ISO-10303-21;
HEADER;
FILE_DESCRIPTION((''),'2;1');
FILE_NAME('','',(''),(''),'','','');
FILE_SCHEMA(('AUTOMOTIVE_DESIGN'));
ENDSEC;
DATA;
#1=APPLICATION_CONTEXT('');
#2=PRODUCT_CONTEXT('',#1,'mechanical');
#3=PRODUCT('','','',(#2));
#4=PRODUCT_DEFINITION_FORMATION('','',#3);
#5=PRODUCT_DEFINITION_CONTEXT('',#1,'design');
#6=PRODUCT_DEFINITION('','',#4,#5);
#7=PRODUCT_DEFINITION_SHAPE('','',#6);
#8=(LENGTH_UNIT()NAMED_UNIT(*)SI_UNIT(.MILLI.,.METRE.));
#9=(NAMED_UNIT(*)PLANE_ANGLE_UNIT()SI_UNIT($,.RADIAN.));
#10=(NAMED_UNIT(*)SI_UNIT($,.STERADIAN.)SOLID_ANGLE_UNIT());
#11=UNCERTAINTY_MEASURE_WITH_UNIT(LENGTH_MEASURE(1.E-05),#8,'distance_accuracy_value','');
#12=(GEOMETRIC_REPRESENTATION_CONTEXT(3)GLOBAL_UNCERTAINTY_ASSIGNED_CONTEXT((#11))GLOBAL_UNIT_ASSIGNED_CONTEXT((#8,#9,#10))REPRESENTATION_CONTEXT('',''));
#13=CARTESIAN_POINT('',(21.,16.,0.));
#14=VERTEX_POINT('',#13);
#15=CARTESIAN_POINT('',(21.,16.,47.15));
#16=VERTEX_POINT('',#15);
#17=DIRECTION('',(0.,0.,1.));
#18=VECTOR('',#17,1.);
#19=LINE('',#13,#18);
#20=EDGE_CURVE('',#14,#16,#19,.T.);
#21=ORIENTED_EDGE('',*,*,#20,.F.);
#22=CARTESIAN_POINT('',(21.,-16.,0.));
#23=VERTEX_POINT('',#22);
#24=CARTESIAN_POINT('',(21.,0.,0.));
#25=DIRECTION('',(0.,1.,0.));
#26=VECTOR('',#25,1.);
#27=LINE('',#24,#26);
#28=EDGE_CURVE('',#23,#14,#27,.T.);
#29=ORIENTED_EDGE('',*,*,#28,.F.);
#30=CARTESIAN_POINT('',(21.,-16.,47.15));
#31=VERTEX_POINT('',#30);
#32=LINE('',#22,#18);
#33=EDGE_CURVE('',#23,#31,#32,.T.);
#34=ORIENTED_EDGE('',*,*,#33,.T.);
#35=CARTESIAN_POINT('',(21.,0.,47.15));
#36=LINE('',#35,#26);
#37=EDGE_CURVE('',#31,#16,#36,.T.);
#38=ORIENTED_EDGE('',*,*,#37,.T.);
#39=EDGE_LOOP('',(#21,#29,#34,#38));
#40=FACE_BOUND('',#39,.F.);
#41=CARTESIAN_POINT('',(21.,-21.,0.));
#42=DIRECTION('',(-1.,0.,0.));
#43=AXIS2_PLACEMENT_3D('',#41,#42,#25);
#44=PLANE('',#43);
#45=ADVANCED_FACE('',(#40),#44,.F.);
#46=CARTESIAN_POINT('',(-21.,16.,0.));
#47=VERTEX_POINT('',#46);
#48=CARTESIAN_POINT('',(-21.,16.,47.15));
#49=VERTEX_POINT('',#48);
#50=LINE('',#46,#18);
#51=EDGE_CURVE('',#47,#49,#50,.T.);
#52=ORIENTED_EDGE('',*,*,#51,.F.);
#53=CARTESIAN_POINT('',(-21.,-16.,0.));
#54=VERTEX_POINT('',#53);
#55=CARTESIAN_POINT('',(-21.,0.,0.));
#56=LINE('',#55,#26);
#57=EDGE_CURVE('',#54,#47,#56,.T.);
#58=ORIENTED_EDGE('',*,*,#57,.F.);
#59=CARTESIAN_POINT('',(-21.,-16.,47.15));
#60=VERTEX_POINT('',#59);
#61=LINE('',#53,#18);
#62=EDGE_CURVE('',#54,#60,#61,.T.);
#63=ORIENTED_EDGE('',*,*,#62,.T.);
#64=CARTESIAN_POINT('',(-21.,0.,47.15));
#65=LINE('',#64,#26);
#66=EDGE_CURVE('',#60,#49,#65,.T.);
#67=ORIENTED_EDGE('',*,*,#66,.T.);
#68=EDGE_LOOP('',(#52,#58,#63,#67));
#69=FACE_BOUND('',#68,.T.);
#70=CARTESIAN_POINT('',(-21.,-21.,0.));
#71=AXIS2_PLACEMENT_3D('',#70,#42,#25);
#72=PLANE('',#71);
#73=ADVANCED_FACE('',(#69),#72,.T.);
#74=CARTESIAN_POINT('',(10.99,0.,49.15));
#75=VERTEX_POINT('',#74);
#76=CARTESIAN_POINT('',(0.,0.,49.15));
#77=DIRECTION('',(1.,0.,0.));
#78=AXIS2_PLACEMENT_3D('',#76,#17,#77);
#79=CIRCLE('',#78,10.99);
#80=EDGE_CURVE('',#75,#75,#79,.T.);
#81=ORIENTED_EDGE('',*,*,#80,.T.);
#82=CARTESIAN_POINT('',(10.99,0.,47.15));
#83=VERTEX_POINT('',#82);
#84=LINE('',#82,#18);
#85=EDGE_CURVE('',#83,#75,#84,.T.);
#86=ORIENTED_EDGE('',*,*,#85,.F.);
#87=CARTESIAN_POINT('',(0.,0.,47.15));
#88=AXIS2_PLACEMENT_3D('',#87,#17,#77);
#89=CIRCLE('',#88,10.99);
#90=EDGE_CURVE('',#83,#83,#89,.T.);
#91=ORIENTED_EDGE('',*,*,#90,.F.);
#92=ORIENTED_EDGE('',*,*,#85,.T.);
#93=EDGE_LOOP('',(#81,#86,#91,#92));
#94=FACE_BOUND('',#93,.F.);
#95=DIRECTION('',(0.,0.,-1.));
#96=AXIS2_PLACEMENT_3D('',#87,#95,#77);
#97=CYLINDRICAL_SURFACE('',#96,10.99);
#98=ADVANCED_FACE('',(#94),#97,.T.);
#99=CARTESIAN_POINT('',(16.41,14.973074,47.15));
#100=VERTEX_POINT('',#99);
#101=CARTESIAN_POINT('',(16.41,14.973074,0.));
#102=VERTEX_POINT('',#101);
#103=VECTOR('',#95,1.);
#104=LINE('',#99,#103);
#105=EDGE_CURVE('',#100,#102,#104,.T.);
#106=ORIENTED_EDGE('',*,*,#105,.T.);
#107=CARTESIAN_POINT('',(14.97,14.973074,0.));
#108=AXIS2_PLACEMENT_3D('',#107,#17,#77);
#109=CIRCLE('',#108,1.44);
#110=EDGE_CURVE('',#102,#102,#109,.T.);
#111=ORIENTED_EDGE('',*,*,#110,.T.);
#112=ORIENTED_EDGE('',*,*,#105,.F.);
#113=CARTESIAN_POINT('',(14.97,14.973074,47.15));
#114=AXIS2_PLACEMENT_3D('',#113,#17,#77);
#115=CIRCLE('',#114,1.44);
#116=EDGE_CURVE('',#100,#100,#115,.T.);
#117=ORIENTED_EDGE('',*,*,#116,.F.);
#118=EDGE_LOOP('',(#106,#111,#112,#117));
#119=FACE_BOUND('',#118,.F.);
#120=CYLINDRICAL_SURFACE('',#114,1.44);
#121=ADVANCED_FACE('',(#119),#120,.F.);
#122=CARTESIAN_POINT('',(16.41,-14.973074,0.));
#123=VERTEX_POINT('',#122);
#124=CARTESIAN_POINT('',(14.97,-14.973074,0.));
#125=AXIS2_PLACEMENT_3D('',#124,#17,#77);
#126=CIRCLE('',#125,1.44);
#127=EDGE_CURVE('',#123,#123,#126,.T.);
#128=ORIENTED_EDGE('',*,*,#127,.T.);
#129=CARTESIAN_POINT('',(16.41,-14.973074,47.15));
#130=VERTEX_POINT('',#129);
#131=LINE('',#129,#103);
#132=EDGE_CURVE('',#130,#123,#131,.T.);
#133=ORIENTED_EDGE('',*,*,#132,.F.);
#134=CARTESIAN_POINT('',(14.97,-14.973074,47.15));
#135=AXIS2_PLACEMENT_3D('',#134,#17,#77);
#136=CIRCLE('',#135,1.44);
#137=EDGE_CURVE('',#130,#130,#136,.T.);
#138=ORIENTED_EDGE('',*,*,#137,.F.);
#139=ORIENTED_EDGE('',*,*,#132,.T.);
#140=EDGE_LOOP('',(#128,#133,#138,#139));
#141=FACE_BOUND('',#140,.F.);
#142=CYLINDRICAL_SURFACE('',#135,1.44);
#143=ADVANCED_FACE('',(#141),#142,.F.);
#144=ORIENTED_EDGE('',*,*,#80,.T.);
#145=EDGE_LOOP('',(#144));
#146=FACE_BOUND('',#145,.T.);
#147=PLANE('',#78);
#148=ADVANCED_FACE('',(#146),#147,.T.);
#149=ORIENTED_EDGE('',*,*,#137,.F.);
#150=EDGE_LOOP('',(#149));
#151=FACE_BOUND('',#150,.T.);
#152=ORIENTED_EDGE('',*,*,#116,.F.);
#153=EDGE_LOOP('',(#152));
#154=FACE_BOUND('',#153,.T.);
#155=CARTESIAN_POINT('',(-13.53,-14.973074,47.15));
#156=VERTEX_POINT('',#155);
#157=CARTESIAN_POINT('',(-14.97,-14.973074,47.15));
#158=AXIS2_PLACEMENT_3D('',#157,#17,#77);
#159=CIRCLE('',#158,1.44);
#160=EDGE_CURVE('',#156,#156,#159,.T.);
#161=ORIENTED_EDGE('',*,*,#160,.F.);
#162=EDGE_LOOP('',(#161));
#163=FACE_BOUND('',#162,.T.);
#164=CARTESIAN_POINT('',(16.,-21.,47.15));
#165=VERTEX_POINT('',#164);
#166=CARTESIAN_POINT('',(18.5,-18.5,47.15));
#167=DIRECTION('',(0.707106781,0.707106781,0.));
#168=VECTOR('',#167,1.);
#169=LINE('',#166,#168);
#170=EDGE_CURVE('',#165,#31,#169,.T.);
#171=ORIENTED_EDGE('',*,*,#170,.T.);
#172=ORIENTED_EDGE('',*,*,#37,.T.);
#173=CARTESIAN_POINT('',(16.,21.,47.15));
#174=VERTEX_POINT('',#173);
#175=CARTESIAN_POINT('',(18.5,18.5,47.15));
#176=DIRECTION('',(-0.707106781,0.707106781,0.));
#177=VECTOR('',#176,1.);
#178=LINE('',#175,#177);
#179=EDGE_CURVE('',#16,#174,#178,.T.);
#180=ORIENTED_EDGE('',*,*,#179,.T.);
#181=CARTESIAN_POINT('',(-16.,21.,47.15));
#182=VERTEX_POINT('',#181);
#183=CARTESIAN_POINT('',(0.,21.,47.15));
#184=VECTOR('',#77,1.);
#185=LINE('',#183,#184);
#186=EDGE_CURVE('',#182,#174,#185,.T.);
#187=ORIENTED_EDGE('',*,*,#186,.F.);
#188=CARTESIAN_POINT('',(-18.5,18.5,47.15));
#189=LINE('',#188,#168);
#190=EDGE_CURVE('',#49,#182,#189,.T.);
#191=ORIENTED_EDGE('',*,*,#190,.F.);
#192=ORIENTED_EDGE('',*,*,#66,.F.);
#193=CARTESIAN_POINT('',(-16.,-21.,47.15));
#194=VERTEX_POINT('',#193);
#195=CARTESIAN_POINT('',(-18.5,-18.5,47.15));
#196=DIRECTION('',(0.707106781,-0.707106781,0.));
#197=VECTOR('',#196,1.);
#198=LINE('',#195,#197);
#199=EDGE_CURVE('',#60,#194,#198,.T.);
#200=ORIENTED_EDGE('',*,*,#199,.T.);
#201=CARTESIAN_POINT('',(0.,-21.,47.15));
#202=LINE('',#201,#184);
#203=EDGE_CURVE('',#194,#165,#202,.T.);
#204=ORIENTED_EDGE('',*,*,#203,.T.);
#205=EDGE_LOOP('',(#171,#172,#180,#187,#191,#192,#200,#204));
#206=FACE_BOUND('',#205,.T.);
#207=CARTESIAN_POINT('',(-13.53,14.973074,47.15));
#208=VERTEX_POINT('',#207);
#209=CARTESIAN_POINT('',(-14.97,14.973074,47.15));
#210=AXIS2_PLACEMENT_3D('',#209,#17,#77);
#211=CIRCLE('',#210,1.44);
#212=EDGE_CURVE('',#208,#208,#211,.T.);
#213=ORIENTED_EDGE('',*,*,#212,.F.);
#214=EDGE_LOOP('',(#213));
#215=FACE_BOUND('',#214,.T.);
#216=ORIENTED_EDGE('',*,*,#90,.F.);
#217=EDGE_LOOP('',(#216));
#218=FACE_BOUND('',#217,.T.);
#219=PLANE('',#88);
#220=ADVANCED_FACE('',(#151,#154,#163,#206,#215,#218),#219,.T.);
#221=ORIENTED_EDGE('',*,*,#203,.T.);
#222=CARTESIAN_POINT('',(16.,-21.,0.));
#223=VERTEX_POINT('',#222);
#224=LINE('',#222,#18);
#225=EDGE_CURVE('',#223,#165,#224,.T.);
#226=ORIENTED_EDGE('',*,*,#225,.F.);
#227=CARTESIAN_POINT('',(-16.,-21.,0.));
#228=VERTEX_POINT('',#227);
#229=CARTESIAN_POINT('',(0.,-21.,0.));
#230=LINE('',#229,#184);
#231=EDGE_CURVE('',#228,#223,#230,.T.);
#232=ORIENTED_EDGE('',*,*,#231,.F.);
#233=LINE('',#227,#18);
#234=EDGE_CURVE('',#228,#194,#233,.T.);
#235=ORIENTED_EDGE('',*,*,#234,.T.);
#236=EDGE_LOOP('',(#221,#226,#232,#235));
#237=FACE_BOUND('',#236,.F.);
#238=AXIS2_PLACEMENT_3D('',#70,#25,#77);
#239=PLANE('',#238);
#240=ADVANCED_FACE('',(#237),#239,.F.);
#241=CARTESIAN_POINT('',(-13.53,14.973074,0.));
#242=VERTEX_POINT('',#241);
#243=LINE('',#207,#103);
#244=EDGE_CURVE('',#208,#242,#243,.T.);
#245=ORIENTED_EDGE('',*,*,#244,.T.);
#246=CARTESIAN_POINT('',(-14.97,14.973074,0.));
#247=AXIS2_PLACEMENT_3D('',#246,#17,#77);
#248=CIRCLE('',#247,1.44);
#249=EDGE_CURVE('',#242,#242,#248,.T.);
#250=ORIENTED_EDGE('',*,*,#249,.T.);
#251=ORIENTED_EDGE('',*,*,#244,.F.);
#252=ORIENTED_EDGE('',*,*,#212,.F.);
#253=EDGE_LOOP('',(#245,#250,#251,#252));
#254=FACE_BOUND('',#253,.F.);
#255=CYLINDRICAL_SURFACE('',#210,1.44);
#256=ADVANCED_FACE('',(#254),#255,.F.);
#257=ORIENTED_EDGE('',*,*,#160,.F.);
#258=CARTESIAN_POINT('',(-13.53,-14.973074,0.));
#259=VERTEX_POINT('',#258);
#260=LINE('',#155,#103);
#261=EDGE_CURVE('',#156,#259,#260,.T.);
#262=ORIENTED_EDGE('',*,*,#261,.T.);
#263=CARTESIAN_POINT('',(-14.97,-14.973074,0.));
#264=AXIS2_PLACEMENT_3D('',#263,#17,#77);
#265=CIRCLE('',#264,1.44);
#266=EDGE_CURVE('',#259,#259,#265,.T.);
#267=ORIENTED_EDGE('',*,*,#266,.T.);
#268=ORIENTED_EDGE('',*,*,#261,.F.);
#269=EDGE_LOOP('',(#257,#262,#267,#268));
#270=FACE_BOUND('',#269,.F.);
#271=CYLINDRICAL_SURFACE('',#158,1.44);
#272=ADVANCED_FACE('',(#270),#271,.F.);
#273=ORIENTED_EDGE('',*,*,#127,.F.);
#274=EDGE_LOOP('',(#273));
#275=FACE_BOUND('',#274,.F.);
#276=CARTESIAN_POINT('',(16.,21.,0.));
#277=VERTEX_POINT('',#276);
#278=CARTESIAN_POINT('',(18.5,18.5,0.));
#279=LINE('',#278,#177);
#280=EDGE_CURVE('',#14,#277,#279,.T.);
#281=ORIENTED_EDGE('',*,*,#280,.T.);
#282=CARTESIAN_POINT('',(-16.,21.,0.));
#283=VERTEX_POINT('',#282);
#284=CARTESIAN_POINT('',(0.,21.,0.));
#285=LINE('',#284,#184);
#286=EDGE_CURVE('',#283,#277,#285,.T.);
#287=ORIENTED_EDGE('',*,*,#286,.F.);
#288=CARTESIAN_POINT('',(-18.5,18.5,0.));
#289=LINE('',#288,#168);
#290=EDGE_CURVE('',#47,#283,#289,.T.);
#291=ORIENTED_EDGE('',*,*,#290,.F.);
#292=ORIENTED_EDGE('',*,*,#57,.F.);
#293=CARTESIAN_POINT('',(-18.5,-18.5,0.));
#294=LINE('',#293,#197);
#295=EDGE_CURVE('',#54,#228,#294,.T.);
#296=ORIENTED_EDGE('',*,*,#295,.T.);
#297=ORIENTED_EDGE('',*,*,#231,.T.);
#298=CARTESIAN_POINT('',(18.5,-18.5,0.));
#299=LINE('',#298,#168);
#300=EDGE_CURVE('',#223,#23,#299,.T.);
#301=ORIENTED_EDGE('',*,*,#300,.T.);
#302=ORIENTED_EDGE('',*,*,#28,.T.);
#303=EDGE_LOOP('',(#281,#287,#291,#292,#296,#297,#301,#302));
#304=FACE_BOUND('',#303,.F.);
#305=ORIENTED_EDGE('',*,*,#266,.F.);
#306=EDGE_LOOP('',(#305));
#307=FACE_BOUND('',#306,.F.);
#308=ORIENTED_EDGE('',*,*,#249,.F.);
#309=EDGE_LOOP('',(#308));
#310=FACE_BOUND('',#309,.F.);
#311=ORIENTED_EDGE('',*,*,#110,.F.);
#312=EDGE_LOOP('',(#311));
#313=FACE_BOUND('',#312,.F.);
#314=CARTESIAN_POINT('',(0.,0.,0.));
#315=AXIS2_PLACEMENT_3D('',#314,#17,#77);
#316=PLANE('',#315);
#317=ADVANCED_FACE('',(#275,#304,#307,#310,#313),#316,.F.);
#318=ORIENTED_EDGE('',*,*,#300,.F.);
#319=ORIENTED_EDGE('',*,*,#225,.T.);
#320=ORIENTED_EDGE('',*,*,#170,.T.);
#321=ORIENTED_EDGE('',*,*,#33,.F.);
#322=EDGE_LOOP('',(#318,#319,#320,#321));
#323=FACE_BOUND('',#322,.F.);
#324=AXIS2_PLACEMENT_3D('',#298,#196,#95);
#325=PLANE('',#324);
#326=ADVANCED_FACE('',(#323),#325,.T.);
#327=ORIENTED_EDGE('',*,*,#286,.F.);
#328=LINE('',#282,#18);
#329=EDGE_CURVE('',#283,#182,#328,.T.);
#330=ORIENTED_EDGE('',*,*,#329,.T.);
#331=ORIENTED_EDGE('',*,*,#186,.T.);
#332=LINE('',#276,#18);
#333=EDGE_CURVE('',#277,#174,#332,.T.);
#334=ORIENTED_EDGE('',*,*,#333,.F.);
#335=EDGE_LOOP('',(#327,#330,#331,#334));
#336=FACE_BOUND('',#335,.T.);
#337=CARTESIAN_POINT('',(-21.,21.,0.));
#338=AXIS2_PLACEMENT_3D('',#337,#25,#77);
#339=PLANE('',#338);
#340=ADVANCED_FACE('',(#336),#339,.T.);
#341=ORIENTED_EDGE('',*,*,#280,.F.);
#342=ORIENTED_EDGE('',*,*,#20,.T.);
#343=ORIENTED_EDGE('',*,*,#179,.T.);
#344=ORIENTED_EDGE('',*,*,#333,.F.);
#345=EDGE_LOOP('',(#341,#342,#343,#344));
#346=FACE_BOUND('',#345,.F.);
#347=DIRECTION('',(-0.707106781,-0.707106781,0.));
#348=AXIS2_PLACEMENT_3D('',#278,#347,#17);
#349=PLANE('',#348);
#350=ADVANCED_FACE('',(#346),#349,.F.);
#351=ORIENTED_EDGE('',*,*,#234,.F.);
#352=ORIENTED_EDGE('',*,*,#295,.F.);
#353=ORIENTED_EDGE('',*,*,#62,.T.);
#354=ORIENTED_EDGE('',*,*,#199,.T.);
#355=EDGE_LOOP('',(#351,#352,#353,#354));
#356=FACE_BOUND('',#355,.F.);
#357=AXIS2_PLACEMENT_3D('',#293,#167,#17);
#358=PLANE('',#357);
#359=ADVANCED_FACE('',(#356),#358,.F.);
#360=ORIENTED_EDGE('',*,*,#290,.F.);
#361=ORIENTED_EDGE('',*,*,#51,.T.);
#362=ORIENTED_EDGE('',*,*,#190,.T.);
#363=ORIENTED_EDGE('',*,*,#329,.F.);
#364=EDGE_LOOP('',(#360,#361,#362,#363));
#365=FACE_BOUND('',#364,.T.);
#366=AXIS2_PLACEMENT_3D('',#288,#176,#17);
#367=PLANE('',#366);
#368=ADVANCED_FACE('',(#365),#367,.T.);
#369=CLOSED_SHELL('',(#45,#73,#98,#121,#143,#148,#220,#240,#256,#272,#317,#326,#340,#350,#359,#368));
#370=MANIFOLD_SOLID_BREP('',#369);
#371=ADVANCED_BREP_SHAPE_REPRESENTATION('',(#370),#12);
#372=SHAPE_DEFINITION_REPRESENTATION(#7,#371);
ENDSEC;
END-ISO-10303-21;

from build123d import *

# Parameters (mm, degrees)
F0_W     = 42
F0_H     = 42
F1_DEPTH = 47.15
F2_SIZE  = 5
F3_R     = 1.44
F4_DEPTH = 47.15
F5_R     = 10.99
F6_DEPTH = 2


with BuildPart() as f1:
    # F0 (on Top) → F1 (new body)
    with BuildSketch(Plane.XY):
        Rectangle(F0_W, F0_H)
    extrude(amount=F1_DEPTH)

    # F2
    f2_edges = [f1.edges().sort_by_distance(p)[0] for p in [
        (-21, 21, 23.575),
        (-21, -21, 23.575),
        (21, -21, 23.575),
        (21, 21, 23.575),
    ]]
    chamfer(f2_edges, length=F2_SIZE)

    # F3 (on face) → F4 (cut, through all)
    with BuildSketch(Plane.XY.offset(47.15)):
        with Locations((14.97, 14.973074)):
            Circle(F3_R)
        with Locations((14.97, -14.973074)):
            Circle(F3_R)
        with Locations((-14.97, -14.973074)):
            Circle(F3_R)
        with Locations((-14.97, 14.973074)):
            Circle(F3_R)
    extrude(amount=-F4_DEPTH, mode=Mode.SUBTRACT)

    # F5 (on face) → F6 (join)
    with BuildSketch(Plane.XY.offset(47.15)):
        Circle(F5_R)
    extrude(amount=F6_DEPTH)


solid = f1.part
